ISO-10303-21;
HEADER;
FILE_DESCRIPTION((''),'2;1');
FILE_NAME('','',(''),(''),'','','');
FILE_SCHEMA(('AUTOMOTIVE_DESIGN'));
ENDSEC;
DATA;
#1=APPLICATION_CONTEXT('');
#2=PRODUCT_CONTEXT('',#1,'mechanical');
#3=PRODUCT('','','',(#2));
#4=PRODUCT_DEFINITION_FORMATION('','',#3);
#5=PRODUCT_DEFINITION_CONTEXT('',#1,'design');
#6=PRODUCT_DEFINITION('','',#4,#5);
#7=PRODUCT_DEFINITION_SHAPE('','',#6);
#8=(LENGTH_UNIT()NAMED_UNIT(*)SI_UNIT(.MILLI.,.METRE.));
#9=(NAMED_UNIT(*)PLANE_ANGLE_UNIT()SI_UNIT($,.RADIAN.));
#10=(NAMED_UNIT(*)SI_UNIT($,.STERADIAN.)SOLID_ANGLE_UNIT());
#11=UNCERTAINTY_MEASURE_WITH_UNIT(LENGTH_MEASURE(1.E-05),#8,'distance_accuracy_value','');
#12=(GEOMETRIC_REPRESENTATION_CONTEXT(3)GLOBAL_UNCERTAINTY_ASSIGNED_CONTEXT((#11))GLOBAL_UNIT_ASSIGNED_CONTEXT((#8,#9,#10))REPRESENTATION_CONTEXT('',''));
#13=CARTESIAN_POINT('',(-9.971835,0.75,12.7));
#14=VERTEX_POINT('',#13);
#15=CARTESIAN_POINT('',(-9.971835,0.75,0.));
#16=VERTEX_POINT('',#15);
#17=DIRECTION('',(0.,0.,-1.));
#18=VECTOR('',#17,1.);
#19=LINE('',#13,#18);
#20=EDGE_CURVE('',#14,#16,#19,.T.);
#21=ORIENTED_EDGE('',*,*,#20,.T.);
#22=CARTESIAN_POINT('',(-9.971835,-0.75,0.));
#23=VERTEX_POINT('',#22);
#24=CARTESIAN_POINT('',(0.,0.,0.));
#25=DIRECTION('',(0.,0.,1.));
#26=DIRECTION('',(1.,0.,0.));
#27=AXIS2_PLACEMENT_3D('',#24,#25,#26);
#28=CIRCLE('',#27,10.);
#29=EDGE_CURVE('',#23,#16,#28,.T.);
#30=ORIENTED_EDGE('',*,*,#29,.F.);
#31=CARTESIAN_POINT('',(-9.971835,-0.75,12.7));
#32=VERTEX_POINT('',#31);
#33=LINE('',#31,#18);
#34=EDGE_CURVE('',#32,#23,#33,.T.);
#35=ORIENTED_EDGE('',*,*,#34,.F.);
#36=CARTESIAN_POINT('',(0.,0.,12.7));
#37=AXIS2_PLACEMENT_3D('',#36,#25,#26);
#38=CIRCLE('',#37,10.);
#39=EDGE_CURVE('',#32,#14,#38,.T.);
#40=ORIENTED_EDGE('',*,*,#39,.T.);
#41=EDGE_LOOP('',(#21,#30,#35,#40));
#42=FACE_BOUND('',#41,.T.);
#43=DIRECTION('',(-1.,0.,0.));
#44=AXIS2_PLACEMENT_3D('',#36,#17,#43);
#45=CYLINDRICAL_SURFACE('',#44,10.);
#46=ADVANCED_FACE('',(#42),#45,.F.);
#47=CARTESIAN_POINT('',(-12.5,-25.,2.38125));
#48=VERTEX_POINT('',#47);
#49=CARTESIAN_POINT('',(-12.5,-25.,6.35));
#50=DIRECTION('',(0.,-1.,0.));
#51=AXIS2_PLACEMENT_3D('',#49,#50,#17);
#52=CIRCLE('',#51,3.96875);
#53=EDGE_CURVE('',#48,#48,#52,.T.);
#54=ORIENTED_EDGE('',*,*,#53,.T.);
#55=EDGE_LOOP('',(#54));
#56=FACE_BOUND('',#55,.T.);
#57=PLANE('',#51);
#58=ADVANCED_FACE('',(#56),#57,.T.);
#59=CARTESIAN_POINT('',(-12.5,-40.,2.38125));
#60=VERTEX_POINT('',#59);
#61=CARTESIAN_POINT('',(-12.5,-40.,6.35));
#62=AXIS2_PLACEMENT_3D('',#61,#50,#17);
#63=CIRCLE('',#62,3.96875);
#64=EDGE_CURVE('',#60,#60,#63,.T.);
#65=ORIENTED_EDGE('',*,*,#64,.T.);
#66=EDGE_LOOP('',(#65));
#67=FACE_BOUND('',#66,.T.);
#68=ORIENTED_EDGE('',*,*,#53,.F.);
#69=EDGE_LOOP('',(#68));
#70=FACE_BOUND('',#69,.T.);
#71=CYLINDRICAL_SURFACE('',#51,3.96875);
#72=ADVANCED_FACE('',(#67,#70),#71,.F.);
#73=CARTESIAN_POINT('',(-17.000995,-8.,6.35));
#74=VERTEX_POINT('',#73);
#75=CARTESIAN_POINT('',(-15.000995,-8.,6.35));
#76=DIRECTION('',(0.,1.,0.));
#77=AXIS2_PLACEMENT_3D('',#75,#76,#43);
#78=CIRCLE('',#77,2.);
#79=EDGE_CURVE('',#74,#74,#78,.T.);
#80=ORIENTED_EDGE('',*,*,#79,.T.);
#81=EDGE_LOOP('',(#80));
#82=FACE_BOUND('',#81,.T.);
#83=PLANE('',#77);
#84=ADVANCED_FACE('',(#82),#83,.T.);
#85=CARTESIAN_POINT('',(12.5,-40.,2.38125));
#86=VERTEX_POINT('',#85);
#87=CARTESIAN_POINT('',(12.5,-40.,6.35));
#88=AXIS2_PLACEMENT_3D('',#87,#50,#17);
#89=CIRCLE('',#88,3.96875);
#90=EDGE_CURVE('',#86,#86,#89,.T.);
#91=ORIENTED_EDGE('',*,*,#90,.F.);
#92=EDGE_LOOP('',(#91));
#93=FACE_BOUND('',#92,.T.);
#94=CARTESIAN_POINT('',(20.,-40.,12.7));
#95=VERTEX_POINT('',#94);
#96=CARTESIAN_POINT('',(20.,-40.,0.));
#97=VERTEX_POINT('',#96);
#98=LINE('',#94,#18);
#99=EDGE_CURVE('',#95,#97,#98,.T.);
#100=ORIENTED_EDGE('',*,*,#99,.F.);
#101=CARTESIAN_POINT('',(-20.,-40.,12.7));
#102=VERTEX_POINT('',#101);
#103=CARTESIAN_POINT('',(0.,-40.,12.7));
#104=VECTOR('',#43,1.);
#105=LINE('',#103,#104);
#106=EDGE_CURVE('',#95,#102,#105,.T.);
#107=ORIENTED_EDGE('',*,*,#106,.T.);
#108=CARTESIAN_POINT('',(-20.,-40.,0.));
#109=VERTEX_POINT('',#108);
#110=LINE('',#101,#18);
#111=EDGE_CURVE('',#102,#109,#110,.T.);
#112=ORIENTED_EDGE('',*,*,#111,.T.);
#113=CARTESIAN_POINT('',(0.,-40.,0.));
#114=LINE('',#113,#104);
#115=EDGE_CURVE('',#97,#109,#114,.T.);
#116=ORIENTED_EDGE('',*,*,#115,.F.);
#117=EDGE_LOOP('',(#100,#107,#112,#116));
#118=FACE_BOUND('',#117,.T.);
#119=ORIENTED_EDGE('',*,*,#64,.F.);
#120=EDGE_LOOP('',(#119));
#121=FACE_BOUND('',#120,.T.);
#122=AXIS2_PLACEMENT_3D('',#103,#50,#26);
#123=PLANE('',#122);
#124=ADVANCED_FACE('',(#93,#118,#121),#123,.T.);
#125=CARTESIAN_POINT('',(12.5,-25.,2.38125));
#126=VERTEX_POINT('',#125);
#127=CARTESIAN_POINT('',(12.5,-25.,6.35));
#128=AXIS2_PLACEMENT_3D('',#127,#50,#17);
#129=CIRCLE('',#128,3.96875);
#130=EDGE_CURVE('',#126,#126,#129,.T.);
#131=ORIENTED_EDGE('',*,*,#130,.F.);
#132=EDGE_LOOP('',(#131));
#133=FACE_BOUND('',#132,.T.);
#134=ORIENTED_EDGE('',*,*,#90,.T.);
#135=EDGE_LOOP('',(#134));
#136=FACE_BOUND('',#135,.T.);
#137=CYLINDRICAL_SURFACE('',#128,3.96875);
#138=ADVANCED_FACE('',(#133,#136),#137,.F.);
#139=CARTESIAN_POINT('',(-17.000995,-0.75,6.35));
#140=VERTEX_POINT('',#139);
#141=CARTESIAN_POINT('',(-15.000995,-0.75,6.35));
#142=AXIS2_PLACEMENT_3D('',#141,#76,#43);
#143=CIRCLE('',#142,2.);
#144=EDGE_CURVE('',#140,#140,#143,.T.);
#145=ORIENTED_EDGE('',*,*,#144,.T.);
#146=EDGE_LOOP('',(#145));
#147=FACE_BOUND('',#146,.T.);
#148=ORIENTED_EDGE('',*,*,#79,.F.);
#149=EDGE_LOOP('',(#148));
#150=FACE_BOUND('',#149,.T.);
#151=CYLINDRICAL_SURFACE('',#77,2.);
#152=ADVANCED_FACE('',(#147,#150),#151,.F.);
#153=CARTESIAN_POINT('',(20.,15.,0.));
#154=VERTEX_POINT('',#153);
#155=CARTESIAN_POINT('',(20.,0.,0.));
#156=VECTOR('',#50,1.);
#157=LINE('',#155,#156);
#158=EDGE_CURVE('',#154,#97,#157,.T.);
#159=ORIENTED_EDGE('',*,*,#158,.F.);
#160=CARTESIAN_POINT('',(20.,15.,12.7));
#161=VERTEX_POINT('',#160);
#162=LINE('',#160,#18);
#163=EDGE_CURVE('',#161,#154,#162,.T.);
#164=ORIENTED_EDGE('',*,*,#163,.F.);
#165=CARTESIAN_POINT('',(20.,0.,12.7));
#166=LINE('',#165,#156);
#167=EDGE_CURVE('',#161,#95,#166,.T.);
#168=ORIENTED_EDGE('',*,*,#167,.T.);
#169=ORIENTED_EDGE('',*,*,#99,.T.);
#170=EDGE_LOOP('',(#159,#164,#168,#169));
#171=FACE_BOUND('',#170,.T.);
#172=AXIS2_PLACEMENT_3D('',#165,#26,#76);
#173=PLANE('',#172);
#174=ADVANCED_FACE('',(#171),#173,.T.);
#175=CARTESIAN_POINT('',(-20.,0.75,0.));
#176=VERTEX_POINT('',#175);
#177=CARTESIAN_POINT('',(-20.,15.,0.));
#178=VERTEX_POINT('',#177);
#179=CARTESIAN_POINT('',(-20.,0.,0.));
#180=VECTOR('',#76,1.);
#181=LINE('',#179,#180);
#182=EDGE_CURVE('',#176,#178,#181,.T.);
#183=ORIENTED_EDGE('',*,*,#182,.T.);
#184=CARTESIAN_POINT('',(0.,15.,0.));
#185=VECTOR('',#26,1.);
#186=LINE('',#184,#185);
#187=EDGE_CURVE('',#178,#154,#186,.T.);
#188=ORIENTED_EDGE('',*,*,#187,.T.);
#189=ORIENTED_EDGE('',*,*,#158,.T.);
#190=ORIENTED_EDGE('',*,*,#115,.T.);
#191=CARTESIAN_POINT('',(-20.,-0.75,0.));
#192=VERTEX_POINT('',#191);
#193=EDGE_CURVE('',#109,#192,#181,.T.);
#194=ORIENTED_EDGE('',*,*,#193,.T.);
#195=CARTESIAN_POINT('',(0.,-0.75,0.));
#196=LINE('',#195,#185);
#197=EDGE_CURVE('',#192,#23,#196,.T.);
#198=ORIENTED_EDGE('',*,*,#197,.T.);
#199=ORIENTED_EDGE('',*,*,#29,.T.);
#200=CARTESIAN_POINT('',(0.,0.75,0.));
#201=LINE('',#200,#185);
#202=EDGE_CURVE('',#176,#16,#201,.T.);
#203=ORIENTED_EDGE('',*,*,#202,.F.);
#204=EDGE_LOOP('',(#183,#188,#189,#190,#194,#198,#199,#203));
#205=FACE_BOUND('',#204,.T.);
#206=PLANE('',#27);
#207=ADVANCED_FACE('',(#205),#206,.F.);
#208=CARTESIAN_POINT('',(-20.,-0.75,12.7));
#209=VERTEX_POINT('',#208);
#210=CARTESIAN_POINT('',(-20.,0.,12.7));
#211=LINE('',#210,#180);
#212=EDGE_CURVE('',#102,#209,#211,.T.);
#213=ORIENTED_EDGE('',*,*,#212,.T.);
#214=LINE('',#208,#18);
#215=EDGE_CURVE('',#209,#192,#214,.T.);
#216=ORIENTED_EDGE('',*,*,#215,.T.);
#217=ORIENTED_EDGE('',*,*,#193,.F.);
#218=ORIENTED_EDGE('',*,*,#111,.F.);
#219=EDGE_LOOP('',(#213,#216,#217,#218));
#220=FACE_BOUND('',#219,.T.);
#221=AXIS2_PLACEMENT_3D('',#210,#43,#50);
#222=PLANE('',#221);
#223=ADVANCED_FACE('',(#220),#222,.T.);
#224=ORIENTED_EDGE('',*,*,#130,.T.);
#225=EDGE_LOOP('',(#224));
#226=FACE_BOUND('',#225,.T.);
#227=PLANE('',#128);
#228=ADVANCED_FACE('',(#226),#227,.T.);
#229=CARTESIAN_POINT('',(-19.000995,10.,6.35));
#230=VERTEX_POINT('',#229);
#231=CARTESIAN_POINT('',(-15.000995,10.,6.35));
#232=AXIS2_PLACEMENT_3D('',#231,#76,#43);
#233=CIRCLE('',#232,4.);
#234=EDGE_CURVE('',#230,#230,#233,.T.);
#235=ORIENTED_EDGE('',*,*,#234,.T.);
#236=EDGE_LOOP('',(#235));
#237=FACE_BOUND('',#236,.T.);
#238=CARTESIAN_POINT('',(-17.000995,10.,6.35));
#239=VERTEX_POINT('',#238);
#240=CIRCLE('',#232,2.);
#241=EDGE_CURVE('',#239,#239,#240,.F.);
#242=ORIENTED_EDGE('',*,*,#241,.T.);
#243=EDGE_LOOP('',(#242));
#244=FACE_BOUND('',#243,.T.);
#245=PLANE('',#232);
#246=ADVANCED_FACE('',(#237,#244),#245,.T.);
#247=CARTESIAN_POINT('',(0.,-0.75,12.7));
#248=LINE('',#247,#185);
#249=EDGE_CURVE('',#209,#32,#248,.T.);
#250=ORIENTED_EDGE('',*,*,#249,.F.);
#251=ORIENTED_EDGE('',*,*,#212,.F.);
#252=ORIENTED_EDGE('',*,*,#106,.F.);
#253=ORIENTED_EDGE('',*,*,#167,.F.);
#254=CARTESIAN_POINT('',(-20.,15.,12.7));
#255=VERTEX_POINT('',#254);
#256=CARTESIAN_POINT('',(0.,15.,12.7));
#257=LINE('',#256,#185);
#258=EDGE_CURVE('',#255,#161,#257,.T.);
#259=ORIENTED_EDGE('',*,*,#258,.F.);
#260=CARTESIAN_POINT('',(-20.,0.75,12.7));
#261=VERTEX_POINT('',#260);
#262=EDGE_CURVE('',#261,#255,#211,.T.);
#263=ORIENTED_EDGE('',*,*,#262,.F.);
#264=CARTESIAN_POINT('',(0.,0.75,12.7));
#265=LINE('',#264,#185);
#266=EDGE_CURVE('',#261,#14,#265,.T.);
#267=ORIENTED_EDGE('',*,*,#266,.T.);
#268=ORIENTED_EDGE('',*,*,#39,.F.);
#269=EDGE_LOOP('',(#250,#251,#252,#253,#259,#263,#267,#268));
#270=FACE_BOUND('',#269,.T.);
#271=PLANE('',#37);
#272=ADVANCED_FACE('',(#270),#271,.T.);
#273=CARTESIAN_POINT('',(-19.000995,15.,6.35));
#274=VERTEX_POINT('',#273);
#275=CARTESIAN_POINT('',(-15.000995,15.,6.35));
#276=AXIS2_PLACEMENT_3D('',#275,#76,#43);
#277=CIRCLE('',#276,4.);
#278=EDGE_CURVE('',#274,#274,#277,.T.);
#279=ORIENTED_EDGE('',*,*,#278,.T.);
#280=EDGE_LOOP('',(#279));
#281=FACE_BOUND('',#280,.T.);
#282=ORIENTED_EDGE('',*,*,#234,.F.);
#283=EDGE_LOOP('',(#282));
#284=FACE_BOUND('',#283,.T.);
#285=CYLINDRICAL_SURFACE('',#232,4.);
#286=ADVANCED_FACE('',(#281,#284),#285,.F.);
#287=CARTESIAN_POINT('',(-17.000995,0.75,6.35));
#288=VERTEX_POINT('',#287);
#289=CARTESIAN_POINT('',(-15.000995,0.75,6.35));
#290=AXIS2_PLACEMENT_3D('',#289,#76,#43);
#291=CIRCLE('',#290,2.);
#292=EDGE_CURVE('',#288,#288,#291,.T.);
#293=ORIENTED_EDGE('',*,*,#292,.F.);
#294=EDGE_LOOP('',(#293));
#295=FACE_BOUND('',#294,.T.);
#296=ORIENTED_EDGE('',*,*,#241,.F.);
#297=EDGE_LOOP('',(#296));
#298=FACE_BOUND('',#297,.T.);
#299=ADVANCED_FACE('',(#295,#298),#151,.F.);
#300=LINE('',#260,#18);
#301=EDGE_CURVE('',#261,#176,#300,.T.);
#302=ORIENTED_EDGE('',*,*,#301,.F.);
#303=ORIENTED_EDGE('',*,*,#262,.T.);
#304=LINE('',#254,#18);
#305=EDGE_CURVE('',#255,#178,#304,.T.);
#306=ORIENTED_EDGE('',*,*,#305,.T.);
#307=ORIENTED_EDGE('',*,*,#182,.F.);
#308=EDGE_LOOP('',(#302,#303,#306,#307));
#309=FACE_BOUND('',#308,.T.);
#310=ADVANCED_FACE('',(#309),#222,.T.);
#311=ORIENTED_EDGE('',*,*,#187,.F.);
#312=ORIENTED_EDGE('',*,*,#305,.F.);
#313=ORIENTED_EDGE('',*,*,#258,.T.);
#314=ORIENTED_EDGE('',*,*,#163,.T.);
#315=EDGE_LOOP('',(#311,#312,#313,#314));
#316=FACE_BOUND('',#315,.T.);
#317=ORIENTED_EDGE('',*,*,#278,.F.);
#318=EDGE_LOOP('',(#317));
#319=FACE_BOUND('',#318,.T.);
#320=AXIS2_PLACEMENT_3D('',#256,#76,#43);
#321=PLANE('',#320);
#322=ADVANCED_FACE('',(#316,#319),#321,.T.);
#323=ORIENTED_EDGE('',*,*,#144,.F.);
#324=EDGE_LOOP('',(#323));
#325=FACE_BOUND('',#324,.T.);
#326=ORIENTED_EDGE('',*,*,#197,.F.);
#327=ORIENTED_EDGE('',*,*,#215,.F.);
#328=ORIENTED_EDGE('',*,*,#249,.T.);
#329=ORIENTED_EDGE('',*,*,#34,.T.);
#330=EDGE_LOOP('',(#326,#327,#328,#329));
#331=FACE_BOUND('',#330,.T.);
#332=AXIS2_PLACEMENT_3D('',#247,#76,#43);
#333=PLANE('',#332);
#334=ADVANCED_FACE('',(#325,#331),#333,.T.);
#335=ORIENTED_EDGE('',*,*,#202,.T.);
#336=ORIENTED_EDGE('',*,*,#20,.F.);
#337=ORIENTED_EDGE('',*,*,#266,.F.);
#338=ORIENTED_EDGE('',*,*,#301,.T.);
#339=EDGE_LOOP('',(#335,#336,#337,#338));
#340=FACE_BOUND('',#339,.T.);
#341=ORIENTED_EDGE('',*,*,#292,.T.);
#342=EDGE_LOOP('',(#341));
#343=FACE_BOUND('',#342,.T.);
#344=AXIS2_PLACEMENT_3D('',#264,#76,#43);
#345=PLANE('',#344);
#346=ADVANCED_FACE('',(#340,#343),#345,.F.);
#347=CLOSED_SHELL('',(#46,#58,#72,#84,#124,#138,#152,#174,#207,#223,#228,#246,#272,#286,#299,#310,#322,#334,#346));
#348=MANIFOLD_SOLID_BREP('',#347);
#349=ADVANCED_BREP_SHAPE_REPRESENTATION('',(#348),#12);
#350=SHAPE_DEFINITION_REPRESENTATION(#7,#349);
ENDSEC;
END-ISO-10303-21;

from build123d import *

# Parameters (mm, degrees)
SALIENTE_EXTRUIR1_DEPTH = 12.7
CROQUIS2_R              = 2
CORTAR_EXTRUIR1_DEPTH   = 23
CROQUIS3_R              = 4
CORTAR_EXTRUIR2_DEPTH   = 5
CROQUIS4_R              = 3.96875
CORTAR_EXTRUIR3_DEPTH   = 15


with BuildPart() as part:
    # Croquis1 → Saliente-Extruir1 (new body)
    with BuildSketch(Plane.XY):
        with BuildLine():
            ThreePointArc((-9.971835338, -0.75), (10, 0), (-9.971835338, 0.75))
            Line((-9.971835338, 0.75), (-20, 0.75))
            Line((-20, 0.75), (-20, 15))
            Line((-20, 15), (20, 15))
            Line((20, 15), (20, -40))
            Line((20, -40), (-20, -40))
            Line((-20, -40), (-20, -0.75))
            Line((-20, -0.75), (-9.971835338, -0.75))
        make_face()
    extrude(amount=SALIENTE_EXTRUIR1_DEPTH)

    # Croquis2 → Cortar-Extruir1 (cut)
    with BuildSketch(Plane(origin=(0, 15, 0), x_dir=(1, 0, 0), z_dir=(0, 1, 0))):
        with Locations(Location((-15.000994664, -6.35, 0), (0, 0, 180))):
            Circle(CROQUIS2_R)
    extrude(amount=-CORTAR_EXTRUIR1_DEPTH, mode=Mode.SUBTRACT)

    # Croquis3 → Cortar-Extruir2 (cut)
    with BuildSketch(Plane(origin=(0, 15, 0), x_dir=(1, 0, 0), z_dir=(0, 1, 0))):
        with Locations(Location((-15.000994664, -6.35, 0), (0, 0, 180))):
            Circle(CROQUIS3_R)
    extrude(amount=-CORTAR_EXTRUIR2_DEPTH, mode=Mode.SUBTRACT)

    # Croquis4 → Cortar-Extruir3 (cut)
    with BuildSketch(Plane.XZ.offset(40)):
        with Locations(Location((-12.5, 6.35, 0), (0, 0, 270))):
            Circle(CROQUIS4_R)
        with Locations(Location((12.5, 6.35, 0), (0, 0, 270))):
            Circle(CROQUIS4_R)
    extrude(amount=-CORTAR_EXTRUIR3_DEPTH, mode=Mode.SUBTRACT)


solid = part.part
